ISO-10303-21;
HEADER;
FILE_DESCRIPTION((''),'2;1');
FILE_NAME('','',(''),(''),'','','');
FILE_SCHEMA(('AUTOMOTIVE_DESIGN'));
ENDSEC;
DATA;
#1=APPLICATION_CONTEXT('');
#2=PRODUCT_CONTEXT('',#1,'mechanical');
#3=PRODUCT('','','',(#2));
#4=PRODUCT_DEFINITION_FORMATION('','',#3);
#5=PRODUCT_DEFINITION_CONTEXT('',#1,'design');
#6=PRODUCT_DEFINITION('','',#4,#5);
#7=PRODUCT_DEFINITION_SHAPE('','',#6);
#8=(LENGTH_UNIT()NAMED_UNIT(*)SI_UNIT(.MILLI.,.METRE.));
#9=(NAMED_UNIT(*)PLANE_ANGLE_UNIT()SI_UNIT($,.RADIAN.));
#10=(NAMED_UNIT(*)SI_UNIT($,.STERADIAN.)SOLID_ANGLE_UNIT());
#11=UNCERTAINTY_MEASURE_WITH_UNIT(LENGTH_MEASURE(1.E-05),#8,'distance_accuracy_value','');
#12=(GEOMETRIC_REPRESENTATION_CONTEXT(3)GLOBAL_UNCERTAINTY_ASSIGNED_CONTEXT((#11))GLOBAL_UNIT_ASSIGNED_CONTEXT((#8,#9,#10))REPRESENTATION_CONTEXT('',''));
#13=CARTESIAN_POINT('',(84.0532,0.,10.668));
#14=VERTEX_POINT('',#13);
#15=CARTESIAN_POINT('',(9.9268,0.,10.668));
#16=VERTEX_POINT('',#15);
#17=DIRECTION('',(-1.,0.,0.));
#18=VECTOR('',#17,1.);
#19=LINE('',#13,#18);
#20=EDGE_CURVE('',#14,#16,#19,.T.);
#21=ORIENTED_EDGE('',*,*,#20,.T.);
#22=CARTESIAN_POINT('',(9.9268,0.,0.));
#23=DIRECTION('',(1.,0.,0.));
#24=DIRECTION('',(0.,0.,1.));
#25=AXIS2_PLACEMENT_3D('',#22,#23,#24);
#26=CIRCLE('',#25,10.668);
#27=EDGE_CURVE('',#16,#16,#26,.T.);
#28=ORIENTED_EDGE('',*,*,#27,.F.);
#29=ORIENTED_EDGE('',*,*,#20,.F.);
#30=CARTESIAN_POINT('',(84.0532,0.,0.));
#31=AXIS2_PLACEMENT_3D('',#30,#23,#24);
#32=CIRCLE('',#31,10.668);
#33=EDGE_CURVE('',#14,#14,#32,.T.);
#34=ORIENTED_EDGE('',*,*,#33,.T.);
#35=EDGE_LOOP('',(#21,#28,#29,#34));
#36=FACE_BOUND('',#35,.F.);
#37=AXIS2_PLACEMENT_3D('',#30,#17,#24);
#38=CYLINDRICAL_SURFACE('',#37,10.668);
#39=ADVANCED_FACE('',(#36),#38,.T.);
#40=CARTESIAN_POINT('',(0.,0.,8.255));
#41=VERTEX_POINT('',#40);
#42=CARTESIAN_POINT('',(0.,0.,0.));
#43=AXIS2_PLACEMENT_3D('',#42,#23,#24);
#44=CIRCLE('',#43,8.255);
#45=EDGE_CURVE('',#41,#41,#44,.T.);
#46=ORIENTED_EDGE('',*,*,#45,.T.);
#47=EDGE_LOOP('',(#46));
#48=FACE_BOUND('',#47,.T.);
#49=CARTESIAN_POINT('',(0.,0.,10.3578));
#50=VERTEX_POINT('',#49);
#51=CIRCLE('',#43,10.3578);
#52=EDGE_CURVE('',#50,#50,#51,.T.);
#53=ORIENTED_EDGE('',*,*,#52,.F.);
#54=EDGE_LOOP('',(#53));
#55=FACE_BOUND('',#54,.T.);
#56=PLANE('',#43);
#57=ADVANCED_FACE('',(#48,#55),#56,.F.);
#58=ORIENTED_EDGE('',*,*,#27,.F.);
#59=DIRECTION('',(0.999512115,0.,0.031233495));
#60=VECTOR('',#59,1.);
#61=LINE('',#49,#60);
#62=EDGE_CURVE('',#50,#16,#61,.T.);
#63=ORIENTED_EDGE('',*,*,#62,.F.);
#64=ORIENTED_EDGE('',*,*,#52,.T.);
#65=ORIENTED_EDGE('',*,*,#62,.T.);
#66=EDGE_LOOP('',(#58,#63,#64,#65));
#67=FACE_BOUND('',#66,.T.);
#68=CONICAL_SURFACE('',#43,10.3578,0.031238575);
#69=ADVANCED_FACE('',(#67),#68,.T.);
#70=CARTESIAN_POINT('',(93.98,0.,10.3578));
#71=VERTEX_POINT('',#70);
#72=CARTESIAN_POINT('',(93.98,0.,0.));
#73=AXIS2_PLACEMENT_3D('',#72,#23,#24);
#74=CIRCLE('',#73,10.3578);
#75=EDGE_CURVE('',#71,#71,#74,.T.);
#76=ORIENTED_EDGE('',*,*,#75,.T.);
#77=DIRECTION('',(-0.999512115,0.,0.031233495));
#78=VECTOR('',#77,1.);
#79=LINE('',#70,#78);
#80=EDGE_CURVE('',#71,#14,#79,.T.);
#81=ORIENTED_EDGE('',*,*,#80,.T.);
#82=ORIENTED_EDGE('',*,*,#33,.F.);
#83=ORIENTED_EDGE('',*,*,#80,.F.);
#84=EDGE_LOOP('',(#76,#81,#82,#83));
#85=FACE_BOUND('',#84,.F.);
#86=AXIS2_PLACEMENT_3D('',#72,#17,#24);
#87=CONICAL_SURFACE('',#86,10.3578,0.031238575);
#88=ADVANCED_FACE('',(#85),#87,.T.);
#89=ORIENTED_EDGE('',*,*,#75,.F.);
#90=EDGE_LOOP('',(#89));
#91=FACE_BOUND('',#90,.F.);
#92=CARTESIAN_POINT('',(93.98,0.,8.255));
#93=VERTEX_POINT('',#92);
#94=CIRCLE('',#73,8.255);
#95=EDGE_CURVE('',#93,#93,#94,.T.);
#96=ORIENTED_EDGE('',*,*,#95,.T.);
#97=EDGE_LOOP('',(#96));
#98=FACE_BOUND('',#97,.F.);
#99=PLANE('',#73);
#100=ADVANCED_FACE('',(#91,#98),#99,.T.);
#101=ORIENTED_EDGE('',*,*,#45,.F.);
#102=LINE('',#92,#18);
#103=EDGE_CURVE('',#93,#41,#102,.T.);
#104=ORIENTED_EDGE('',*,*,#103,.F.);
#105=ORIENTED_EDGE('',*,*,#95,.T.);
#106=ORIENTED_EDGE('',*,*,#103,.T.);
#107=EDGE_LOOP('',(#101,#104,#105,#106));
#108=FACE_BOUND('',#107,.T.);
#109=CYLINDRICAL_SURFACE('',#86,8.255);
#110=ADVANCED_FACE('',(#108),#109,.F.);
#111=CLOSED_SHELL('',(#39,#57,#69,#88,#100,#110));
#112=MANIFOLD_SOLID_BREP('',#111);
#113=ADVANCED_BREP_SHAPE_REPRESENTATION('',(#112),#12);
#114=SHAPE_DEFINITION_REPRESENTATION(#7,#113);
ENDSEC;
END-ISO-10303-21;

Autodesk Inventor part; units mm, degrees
ref_plane "YZ Plane" through (0, 0, 0) normal (1, 0, 0) x (0, 1, 0)
ref_plane "XZ Plane" through (0, 0, 0) normal (0, 1, 0) x (-1, 0, 0)
ref_plane "XY Plane" through (0, 0, 0) normal (0, 0, 1) x (1, 0, 0)
sketch "Sketch1" plane through (0, 0, 0) normal (0, 1, 0) x (-1, 0, 0)
  line L0 (0, 0) -> (-93.98, 0)
  line L1 (-93.98, 0) -> (-93.98, 8.255) construction
  line L2 (-93.98, 8.255) -> (-93.98, 10.3578)
  line L3 (-93.98, 10.3578) -> (-84.0532, 10.668)
  line L4 (-84.0532, 10.668) -> (-9.9268, 10.668)
  line L5 (-46.99, 0) -> (-46.99, 10.668) construction
  line L6 (-93.98, 8.255) -> (0, 8.255)
  line L7 (0, 0) -> (0, 8.255) construction
  line L8 (0, 8.255) -> (0, 10.3578)
  line L9 (0, 10.3578) -> (-9.9268, 10.668)
  line L10 (-80.424, 10.7814) -> (-80.424, 0) construction
  line L11 (-13.556, 10.7814) -> (-13.556, 0) construction
  line L12 (-84.0532, 10.668) -> (-80.424, 10.7814) construction
  line L13 (-84.0532, 10.668) -> (-84.0532, 0) construction
  line L14 (-9.9268, 10.668) -> (-13.556, 10.7814) construction
  line L15 (-9.9268, 10.668) -> (-9.9268, 0) construction
  dimension "d0" = 21.336
  dimension "d1" = 1.79
  dimension "d2" = 16.51
  dimension "d3" = 93.98
  dimension "d4" = 13.556
  dimension "d5" = 21.5628
revolve "Revolution1" add sketch "Sketch1" angle 360 about axis through (0, 0, 0) along (1, 0, 0)
thread "Thread1" size "1/2" designation "1/2 - 14 NPT" standard "NPT" full length
thread "Thread2" size "1/2" designation "1/2 - 14 NPT" standard "NPT" full length
equation "\"d0\" = OD"
equation "\"d2\" = ID"
equation "\"d3\" = L"
equation "\"d4\" = L2"
equation "\"d5\" = D2"
equation "\"OD\" = 21.336"
equation "\"t\" = 2.413"
equation "\"L\" = PL"
equation "\"L4\" = 19.8501"
equation "\"ID\" = 16.51"
equation "\"PL\" = 93.98"
equation "\"D2\" = 21.56282"
equation "\"L2\" = 13.55598"
equation "\"Size_Designation\" = 1.2345"
equation "\"PLmin\" = 2 * L2"
properties material "Steel, Wrought"
